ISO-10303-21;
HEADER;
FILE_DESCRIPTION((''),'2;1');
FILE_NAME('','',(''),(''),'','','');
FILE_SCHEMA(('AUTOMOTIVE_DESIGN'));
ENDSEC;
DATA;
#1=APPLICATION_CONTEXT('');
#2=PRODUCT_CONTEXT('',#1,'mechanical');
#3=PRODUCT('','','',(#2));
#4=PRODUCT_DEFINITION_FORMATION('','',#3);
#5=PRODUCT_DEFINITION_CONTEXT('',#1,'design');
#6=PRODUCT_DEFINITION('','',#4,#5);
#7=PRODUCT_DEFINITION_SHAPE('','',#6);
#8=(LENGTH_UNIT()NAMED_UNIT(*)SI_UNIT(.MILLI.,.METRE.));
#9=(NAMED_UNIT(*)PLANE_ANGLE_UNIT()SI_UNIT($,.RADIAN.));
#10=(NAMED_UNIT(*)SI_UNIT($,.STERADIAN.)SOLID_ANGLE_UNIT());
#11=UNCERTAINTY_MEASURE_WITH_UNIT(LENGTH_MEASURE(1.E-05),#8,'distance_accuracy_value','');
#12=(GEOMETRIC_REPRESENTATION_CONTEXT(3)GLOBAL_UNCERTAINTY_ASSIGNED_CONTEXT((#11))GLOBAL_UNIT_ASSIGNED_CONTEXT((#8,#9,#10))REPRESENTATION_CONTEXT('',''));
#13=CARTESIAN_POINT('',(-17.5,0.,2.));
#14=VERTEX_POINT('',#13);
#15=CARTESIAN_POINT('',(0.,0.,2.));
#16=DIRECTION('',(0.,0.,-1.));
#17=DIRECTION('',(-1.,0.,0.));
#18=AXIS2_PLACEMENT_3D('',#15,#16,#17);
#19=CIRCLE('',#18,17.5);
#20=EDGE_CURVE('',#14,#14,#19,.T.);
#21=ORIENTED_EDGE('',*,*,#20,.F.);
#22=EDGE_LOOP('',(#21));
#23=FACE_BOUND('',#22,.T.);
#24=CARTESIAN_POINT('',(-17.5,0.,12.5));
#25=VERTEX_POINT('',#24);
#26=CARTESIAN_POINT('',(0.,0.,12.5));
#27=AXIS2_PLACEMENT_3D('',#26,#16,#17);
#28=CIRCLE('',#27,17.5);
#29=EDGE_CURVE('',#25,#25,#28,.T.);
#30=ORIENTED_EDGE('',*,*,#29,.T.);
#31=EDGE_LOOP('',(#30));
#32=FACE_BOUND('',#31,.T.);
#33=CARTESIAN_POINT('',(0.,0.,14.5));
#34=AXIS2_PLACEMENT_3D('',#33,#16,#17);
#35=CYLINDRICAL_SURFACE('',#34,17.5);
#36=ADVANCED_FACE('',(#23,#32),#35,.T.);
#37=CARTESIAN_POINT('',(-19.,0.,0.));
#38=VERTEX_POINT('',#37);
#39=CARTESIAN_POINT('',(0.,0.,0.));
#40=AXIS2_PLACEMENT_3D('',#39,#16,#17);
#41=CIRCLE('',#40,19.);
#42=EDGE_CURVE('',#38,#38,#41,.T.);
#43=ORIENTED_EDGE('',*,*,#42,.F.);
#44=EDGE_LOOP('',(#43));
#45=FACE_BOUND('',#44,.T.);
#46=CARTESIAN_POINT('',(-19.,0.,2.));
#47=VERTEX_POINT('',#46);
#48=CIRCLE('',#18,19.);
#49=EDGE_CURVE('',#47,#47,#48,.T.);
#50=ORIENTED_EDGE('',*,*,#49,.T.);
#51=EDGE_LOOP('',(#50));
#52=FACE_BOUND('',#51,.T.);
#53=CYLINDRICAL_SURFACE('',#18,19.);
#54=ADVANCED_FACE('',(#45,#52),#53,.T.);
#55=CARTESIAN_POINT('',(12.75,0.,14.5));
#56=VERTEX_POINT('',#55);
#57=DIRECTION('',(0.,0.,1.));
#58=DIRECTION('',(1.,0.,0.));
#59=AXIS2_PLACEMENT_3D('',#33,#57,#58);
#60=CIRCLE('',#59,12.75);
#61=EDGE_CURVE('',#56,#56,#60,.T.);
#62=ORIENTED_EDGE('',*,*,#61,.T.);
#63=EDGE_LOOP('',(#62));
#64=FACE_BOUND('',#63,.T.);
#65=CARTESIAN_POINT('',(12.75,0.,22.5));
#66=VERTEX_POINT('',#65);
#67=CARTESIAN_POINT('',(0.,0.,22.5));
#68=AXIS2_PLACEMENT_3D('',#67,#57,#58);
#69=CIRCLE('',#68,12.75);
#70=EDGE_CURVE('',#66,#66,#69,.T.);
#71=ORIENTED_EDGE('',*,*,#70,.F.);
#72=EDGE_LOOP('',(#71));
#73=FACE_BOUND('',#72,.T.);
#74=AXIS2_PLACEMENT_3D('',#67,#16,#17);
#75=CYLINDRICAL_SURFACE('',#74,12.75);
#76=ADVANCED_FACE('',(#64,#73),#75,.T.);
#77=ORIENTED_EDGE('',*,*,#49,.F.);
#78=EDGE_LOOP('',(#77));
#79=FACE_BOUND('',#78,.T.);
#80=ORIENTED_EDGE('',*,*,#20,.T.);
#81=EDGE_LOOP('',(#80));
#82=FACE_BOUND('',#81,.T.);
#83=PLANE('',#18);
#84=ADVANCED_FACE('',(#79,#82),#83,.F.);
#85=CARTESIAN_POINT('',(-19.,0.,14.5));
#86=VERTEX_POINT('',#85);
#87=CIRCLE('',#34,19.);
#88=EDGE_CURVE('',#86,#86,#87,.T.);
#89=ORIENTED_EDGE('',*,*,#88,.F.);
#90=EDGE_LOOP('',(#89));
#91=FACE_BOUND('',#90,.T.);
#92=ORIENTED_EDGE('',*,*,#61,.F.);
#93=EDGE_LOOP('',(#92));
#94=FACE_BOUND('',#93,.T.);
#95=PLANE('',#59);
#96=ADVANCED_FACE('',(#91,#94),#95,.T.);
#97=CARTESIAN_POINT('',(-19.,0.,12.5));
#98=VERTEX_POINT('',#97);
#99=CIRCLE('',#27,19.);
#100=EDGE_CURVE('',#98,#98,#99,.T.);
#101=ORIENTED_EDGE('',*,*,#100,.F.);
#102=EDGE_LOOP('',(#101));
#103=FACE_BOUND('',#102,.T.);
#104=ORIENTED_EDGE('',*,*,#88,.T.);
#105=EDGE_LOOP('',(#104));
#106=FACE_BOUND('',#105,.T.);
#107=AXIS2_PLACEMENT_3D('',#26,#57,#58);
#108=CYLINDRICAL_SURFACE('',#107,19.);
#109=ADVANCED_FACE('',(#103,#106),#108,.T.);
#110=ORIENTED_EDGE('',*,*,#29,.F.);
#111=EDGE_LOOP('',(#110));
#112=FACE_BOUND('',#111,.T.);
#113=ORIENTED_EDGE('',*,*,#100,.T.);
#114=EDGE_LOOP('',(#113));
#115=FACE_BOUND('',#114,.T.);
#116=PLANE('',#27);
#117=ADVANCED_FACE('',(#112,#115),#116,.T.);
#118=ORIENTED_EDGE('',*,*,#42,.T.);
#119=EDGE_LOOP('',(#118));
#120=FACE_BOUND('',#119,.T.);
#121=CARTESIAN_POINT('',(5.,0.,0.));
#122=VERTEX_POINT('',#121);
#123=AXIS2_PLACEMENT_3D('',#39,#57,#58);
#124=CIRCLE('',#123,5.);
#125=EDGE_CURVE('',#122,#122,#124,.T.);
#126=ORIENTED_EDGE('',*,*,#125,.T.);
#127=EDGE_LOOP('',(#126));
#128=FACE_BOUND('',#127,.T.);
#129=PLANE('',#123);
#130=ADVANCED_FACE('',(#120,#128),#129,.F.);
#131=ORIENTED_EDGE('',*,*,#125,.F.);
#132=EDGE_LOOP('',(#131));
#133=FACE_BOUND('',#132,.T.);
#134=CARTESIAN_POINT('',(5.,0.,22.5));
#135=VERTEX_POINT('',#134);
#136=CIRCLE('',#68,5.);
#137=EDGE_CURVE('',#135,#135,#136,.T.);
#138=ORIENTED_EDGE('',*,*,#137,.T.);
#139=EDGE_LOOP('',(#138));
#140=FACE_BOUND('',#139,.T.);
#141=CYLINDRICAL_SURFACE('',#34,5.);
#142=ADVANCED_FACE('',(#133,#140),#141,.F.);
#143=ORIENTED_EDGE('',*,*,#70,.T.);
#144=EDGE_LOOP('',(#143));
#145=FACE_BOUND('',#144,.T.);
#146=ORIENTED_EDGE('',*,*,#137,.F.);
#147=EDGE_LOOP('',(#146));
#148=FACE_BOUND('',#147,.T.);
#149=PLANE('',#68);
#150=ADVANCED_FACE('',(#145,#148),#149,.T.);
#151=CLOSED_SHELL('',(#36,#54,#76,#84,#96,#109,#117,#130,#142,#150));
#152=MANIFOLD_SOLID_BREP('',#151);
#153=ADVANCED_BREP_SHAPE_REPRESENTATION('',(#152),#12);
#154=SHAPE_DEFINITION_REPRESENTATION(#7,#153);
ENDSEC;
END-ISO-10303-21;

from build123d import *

# Parameters (mm, degrees)
SKETCH1_R           = 17.5
SKETCH1_R_2         = 5
BOSS_EXTRUDE1_DEPTH = 14.5
SKETCH2_R           = 12.75
SKETCH2_R_2         = 5
BOSS_EXTRUDE2_DEPTH = 8
SKETCH3_R           = 19
SKETCH3_R_2         = 17.5
BOSS_EXTRUDE3_DEPTH = 2
BOSS_EXTRUDE5_START = -14.5
SKETCH3_2_R         = 19
SKETCH3_2_R_2       = 17.5
BOSS_EXTRUDE5_DEPTH = 2


with BuildPart() as part:
    # Sketch1 → Boss-Extrude1 (new body)
    with BuildSketch(Plane.XY):
        Circle(SKETCH1_R)
        Circle(SKETCH1_R_2, mode=Mode.SUBTRACT)
    extrude(amount=BOSS_EXTRUDE1_DEPTH)

    # Sketch2 → Boss-Extrude2 (add)
    with BuildSketch(Plane.XY.offset(14.5)):
        Circle(SKETCH2_R)
        Circle(SKETCH2_R_2, mode=Mode.SUBTRACT)
    extrude(amount=BOSS_EXTRUDE2_DEPTH)

    # Sketch3 → Boss-Extrude3 (add)
    with BuildSketch(Plane(origin=(0, 0, 0), x_dir=(-1, 0, 0), z_dir=(0, 0, -1))):
        Circle(SKETCH3_R)
        Circle(SKETCH3_R_2, mode=Mode.SUBTRACT)
    extrude(amount=-BOSS_EXTRUDE3_DEPTH)

    # Sketch3<2> → Boss-Extrude5 (add)
    with BuildSketch(Plane(origin=(0, 0, 0), x_dir=(-1, 0, 0), z_dir=(0, 0, -1)).offset(BOSS_EXTRUDE5_START)):
        Circle(SKETCH3_2_R)
        Circle(SKETCH3_2_R_2, mode=Mode.SUBTRACT)
    extrude(amount=BOSS_EXTRUDE5_DEPTH)


solid = part.part
